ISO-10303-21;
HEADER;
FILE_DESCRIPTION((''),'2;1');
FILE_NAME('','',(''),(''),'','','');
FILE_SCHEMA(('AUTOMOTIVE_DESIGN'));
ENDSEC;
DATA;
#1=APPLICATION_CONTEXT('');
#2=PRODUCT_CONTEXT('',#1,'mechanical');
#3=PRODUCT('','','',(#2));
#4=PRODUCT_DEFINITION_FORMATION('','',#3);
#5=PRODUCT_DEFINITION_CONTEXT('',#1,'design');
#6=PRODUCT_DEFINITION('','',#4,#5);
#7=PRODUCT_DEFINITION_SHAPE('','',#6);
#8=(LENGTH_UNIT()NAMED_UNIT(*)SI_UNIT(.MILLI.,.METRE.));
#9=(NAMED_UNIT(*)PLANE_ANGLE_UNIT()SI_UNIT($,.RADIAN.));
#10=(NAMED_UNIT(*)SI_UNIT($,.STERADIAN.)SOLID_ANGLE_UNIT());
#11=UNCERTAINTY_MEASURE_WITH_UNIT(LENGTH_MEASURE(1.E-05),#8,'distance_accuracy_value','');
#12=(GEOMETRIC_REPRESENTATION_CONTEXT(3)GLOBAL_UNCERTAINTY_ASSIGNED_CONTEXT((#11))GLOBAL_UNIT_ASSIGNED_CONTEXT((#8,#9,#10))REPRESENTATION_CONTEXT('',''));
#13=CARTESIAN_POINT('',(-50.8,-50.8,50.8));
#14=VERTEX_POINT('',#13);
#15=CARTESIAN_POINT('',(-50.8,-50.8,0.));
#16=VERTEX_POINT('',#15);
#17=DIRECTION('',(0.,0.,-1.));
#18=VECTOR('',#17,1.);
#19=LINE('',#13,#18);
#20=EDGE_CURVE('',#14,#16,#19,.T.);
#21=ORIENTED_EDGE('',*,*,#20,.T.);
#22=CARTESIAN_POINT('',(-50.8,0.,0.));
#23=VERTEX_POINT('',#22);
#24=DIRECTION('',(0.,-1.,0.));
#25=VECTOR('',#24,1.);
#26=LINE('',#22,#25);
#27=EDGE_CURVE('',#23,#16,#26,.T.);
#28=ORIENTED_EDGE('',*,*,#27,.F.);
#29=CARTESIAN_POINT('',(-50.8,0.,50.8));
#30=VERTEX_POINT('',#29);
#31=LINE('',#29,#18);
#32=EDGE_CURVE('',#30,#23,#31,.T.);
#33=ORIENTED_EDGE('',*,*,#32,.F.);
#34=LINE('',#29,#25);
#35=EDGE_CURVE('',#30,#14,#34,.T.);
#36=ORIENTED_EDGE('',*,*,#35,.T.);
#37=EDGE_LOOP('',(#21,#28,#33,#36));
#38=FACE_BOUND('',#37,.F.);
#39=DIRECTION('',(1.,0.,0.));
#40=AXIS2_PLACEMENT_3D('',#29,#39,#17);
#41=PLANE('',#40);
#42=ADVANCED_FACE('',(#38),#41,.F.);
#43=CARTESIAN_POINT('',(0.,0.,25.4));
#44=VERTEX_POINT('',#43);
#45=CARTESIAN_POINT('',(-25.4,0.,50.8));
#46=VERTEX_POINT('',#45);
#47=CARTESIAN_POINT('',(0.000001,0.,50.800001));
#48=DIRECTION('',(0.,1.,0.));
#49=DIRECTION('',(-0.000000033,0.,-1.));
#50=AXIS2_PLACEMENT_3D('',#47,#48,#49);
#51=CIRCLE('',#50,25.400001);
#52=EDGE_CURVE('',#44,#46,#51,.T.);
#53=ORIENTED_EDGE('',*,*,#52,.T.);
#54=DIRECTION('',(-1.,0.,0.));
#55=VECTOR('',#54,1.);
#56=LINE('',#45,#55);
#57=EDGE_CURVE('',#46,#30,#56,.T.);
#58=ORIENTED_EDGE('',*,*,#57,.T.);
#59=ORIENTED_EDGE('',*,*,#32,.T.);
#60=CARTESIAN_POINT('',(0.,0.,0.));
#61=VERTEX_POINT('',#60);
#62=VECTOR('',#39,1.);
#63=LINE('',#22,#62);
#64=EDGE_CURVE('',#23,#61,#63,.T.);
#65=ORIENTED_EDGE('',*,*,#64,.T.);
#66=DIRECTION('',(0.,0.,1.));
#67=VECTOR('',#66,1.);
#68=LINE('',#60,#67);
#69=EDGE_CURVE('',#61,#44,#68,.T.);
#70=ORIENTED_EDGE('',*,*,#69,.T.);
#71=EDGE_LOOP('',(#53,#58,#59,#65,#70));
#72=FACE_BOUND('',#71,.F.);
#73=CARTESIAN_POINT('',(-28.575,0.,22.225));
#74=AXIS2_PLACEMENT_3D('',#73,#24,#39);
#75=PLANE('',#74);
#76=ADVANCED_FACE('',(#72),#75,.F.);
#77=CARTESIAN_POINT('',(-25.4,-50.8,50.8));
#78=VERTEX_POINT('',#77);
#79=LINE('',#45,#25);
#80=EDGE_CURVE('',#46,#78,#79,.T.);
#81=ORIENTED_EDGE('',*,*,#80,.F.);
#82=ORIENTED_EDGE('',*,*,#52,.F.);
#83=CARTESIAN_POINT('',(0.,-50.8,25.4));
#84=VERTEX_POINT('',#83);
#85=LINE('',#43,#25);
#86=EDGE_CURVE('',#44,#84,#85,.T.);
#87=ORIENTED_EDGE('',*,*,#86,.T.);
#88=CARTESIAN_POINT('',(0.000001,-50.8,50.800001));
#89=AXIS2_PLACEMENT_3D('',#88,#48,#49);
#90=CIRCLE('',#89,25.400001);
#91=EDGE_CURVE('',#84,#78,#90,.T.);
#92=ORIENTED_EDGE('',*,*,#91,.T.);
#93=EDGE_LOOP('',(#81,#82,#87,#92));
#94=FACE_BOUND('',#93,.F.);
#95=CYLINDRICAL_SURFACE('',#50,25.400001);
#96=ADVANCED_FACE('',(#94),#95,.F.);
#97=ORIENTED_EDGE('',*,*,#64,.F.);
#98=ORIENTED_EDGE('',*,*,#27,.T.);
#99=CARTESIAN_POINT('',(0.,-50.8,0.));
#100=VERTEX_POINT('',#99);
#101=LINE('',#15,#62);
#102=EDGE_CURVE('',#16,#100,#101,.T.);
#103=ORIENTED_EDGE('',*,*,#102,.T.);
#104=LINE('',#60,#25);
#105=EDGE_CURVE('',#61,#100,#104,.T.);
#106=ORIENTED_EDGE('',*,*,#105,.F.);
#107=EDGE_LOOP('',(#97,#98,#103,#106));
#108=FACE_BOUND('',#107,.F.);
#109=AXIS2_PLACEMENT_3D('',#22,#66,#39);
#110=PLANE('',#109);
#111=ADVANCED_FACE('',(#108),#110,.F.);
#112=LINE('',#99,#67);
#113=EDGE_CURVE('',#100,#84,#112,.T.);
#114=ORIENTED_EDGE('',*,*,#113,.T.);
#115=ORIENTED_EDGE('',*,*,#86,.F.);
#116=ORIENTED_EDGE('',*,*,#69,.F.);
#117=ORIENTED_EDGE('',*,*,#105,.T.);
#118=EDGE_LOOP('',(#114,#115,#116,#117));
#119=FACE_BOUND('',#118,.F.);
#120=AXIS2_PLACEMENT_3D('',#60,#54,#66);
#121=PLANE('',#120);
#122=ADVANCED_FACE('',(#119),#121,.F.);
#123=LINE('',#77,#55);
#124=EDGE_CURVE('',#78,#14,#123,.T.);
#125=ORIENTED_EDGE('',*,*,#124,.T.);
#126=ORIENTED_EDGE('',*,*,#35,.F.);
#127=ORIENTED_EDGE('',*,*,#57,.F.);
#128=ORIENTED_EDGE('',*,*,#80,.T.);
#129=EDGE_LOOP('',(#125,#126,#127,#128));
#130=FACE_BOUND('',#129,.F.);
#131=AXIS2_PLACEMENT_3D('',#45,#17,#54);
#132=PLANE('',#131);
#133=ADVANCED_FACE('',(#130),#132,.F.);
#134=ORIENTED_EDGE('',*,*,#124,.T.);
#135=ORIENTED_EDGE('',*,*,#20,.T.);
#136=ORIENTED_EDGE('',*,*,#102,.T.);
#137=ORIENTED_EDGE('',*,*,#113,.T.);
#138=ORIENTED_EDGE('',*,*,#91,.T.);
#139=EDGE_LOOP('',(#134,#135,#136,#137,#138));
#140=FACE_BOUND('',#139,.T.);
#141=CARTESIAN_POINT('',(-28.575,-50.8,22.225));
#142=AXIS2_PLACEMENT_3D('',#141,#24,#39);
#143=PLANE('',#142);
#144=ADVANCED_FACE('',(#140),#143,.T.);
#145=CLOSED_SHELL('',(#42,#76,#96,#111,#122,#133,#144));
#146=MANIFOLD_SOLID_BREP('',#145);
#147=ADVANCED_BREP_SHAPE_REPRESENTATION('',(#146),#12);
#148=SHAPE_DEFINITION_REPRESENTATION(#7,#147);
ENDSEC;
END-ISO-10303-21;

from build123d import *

# Parameters (mm, degrees)
F1_DEPTH = 50.8


with BuildPart() as f1:
    # F0 (on Front) → F1 (new body)
    with BuildSketch(Plane.XZ):
        Polygon((-50.8, 0), (0, 0), (0, 25.4), (-25.4, 25.4), (-25.4, 50.8), (-50.8, 50.8), align=None)
        with BuildLine():
            Line((-25.4, 25.4), (0, 25.4))
            ThreePointArc((0, 25.4), (-17.960512, 32.839488), (-25.4, 50.8))
            Line((-25.4, 50.8), (-25.4, 25.4))
        make_face()
    extrude(amount=F1_DEPTH)


solid = f1.part
